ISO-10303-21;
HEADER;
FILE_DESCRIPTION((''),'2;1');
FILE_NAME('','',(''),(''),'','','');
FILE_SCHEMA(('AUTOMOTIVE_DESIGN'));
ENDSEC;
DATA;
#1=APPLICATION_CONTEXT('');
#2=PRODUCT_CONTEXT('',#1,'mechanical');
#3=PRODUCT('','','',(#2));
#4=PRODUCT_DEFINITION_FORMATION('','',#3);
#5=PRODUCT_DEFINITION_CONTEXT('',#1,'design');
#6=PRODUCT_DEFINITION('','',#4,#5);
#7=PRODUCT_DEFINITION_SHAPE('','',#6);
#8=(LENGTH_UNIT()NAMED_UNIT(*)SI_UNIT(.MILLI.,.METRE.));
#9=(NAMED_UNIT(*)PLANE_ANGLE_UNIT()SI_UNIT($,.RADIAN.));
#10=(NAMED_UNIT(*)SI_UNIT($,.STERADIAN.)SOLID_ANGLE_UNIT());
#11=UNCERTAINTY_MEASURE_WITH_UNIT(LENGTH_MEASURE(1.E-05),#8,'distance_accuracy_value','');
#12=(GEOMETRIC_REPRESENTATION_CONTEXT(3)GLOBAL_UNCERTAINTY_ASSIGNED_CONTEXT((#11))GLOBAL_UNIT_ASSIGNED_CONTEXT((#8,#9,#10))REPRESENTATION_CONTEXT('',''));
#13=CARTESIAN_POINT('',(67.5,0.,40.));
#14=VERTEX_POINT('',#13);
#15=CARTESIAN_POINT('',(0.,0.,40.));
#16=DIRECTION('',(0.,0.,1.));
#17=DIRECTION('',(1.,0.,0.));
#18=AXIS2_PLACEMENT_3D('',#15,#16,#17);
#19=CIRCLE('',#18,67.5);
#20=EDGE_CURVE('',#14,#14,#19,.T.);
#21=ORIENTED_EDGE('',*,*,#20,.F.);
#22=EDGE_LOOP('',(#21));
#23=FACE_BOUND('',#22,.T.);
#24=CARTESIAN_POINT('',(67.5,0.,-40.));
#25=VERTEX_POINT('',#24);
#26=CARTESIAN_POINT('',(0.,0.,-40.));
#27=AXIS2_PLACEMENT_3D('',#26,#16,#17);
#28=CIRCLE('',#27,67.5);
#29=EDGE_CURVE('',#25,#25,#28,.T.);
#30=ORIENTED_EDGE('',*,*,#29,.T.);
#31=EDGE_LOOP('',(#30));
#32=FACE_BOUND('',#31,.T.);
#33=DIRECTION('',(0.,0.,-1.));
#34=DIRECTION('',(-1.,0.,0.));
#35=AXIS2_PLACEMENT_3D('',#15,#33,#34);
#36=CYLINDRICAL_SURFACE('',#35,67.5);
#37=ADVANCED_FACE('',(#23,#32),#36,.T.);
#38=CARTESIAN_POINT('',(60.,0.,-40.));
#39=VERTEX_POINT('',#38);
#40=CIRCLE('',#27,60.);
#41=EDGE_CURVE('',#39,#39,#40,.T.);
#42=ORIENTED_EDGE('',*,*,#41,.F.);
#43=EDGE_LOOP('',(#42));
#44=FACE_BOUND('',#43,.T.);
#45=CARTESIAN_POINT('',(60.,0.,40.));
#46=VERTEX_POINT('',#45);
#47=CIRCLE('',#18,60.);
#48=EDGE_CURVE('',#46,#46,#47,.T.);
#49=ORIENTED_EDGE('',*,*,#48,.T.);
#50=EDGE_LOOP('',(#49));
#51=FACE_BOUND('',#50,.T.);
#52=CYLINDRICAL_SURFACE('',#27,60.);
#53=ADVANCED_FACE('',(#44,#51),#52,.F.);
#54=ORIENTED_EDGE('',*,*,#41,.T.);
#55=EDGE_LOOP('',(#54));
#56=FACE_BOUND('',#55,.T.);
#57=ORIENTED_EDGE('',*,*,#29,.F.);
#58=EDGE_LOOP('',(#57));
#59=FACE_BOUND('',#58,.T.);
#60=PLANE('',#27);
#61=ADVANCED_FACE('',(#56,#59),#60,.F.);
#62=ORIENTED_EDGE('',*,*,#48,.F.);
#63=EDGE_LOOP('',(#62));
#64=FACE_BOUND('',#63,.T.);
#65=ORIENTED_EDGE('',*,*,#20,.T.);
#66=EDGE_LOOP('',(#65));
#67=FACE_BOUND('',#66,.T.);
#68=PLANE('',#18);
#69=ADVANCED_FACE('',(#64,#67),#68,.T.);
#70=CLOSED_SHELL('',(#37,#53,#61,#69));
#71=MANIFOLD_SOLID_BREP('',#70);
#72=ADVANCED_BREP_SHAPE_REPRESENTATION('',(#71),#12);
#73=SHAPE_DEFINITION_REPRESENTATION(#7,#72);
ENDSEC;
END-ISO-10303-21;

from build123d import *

# Parameters (mm, degrees)
SKETCH2_R           = 67.5
BOSS_EXTRUDE1_DEPTH = 40
SKETCH3_R           = 60
CUT_EXTRUDE1_DEPTH  = 125.549187071


with BuildPart() as part:
    # Sketch2 → Boss-Extrude1 (new, symmetric)
    with BuildSketch(Plane.XY):
        Circle(SKETCH2_R)
    extrude(amount=BOSS_EXTRUDE1_DEPTH, both=True)

    # Sketch3 → Cut-Extrude1 (cut, through all)
    with BuildSketch(Plane.XY.offset(40)):
        Circle(SKETCH3_R)
    extrude(amount=-CUT_EXTRUDE1_DEPTH, mode=Mode.SUBTRACT)


solid = part.part
